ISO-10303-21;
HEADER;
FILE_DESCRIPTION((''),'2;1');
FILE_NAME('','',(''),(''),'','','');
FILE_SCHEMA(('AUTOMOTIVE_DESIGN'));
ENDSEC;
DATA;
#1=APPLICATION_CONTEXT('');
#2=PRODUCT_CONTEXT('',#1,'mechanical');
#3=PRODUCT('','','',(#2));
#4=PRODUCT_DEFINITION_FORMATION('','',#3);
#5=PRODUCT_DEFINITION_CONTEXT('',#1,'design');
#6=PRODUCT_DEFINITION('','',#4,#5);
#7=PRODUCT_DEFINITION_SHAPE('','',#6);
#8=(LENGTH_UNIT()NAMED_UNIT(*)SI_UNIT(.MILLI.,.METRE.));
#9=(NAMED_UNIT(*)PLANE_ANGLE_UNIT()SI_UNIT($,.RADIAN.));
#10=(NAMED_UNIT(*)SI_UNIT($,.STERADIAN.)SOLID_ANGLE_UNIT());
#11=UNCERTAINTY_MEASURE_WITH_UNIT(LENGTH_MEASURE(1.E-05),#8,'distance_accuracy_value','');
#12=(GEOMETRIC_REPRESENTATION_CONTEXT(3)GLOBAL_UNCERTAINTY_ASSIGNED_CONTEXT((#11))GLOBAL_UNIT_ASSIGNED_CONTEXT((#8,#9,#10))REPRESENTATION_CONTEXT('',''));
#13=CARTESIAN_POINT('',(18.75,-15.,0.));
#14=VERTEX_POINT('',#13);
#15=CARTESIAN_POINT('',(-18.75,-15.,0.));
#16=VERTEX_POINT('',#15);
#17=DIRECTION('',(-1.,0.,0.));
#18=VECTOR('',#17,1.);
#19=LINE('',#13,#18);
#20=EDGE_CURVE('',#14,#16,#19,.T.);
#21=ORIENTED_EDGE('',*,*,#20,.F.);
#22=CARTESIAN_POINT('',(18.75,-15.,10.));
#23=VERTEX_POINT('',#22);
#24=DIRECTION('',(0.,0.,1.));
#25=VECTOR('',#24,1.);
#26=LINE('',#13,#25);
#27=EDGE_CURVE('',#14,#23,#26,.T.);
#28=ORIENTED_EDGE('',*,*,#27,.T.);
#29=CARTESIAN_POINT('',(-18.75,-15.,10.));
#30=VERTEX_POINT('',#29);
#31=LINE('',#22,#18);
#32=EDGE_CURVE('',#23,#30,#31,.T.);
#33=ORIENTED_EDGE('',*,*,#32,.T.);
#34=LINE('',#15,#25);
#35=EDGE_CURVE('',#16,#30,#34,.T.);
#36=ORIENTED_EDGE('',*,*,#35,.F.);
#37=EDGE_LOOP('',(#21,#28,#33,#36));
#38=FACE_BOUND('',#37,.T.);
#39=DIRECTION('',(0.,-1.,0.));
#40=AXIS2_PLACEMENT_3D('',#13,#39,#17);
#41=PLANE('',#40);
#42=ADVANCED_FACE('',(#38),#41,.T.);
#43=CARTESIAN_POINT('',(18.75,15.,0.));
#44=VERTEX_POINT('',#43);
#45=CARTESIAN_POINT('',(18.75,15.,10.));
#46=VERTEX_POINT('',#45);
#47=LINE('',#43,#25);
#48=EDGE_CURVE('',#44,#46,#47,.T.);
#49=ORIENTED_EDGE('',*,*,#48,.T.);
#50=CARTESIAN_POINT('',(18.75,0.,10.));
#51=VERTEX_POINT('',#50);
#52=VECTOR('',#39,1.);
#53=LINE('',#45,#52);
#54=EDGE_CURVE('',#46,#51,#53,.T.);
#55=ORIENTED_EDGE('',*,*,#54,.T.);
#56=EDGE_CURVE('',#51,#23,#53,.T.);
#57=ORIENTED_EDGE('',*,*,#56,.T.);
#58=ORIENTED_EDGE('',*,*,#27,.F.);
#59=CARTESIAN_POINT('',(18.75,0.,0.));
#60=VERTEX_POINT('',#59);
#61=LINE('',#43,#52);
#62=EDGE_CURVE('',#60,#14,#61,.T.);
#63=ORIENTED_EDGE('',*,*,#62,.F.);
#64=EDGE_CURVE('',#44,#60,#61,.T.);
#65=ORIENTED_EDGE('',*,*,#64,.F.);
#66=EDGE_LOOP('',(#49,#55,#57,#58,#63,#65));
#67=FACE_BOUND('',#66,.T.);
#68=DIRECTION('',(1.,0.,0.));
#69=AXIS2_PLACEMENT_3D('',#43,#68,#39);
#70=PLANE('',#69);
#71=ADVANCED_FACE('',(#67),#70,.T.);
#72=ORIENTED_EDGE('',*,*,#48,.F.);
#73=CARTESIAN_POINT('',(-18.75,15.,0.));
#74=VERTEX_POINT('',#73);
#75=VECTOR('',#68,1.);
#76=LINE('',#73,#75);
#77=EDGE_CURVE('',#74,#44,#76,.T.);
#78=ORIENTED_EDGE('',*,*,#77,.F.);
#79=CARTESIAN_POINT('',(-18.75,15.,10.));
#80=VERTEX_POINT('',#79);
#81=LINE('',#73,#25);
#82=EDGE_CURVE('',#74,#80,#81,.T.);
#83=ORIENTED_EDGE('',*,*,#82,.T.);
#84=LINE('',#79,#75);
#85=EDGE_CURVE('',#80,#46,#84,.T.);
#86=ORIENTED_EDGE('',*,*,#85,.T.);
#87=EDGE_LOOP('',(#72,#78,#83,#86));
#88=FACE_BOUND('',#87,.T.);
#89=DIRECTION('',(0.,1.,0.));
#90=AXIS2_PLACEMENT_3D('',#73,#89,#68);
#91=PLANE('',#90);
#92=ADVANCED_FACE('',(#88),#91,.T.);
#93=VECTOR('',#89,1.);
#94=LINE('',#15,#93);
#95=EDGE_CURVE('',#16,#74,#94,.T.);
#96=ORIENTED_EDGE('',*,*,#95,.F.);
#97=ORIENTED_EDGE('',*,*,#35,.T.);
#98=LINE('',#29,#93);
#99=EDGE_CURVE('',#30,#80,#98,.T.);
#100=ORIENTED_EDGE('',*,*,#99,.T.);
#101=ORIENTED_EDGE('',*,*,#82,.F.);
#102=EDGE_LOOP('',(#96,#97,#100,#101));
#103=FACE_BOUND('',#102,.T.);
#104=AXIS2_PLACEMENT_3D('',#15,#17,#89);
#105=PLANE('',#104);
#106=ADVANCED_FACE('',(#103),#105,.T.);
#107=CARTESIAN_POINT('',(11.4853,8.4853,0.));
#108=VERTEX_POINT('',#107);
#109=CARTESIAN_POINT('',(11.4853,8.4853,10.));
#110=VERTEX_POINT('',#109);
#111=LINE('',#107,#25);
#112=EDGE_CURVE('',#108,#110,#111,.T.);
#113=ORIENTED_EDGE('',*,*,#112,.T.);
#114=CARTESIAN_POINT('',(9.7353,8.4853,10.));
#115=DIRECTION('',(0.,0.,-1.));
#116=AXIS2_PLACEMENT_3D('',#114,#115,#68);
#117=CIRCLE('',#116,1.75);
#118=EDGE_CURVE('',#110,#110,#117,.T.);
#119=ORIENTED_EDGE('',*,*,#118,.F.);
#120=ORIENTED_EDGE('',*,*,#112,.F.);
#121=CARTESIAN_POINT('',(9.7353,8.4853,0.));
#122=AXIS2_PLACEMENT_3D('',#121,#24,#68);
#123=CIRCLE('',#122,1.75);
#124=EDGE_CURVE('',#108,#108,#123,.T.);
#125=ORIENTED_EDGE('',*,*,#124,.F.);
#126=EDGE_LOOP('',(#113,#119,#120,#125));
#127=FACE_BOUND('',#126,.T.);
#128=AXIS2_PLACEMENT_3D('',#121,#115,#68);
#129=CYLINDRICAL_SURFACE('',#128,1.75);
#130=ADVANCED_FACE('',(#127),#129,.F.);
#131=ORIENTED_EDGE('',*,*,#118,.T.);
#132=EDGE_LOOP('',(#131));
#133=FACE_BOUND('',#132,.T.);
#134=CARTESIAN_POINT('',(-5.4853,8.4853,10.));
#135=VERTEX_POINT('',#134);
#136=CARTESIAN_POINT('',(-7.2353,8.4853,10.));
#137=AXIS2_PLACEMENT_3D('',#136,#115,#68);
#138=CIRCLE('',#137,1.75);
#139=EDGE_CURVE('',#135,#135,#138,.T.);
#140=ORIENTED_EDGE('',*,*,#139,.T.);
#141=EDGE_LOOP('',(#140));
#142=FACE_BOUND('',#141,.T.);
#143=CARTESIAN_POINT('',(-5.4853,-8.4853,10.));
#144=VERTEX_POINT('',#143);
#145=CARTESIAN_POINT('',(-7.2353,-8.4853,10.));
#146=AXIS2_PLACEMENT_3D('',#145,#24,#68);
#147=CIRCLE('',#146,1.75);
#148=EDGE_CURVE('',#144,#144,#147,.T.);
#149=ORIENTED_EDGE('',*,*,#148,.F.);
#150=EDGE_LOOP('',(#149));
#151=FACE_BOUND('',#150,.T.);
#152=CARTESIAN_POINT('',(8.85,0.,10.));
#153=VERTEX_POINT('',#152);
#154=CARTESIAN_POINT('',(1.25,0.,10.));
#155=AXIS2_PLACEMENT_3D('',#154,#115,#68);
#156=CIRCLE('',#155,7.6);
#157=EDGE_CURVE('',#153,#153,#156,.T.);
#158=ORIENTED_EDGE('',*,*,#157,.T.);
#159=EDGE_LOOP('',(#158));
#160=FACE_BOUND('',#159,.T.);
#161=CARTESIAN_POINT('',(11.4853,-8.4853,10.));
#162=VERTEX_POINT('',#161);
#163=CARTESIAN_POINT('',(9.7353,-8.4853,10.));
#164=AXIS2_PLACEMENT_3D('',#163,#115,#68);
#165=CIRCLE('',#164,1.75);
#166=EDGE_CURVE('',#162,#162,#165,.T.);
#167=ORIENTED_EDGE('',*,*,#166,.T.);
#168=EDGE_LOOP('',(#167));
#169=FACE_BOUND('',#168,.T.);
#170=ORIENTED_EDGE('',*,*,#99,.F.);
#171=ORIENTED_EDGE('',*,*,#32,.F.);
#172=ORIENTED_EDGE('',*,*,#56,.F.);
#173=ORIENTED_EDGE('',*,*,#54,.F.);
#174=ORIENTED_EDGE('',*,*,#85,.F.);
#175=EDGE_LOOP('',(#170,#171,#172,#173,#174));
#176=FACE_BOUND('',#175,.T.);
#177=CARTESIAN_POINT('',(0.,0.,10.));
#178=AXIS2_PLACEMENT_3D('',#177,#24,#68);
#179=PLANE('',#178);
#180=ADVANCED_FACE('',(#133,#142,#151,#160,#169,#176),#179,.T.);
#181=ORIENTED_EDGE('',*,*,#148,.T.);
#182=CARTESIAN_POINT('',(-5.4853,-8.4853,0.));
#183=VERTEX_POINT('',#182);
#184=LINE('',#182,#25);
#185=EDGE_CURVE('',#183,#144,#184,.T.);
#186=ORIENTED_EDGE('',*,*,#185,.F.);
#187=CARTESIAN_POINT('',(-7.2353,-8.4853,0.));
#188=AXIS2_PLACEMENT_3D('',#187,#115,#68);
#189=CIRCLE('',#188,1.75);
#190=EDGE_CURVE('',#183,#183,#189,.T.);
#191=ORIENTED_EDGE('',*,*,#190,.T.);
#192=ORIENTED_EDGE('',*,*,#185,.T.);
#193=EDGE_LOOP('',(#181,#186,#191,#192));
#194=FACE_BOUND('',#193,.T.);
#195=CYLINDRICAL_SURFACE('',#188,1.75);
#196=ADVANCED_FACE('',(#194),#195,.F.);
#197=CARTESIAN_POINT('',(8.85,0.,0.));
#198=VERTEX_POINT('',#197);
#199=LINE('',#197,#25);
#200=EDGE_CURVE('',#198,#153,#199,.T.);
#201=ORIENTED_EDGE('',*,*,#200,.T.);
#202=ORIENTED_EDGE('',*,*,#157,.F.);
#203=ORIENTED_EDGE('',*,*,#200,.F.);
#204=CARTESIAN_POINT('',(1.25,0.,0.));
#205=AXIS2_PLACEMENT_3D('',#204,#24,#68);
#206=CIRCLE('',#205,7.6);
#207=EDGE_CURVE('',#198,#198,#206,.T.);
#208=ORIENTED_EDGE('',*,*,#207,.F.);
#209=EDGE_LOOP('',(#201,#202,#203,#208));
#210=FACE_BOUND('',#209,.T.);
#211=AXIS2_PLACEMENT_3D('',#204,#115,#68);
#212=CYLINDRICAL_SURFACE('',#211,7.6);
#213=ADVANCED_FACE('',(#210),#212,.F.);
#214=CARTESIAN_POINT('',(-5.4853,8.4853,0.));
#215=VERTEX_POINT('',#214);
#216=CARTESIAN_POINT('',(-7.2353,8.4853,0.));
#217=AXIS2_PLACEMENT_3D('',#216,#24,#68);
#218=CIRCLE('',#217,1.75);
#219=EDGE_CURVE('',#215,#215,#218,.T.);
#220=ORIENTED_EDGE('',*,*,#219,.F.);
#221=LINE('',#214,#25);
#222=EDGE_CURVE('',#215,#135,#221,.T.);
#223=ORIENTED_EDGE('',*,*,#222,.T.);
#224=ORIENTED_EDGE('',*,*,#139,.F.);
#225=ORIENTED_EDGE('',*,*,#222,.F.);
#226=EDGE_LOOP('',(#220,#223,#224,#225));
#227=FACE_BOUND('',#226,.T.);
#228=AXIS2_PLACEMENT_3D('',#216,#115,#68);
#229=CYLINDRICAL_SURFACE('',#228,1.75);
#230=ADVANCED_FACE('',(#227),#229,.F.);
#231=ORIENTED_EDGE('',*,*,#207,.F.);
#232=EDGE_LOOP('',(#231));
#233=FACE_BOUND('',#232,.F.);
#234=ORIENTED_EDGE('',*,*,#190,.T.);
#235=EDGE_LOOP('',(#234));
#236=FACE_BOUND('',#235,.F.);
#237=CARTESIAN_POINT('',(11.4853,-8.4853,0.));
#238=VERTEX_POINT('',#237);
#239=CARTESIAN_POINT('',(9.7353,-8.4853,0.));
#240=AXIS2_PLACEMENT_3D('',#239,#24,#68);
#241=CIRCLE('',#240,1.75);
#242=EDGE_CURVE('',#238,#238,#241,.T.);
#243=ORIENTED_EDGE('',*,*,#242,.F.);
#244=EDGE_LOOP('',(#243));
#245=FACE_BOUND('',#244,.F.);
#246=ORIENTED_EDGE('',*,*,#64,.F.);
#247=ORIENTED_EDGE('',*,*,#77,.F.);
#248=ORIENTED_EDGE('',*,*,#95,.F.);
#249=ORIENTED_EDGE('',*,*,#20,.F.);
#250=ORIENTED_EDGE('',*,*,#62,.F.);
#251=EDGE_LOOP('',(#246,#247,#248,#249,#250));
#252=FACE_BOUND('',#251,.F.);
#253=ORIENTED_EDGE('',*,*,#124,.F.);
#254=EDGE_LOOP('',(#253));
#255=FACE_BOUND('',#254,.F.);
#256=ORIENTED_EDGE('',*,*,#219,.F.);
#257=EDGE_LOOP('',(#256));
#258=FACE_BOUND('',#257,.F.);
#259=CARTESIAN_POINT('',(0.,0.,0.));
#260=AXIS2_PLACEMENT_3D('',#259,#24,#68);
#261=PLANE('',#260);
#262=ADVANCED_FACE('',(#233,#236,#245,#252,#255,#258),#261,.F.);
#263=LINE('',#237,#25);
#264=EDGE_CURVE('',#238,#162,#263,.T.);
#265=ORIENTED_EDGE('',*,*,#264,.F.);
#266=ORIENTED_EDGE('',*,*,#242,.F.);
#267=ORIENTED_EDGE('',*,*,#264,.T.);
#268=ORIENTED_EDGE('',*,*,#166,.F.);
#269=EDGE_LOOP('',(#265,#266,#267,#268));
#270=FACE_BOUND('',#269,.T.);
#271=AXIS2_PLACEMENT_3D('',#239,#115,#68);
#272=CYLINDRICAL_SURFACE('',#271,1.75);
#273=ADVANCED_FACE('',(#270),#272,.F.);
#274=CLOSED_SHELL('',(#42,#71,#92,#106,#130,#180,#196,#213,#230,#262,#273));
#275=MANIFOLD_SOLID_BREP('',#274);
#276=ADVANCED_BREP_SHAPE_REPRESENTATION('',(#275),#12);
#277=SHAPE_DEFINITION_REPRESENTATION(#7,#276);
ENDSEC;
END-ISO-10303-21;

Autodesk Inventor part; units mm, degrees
ref_plane "YZ Plane" through (0, 0, 0) normal (1, 0, 0) x (0, 1, 0)
ref_plane "XZ Plane" through (0, 0, 0) normal (0, 1, 0) x (-1, 0, 0)
ref_plane "XY Plane" through (0, 0, 0) normal (0, 0, 1) x (1, 0, 0)
sketch "Sketch1" plane through (0, 0, 0) normal (0, 0, 1) x (1, 0, 0)
  line L0 (-18.75, 15) -> (18.75, 15)
  line L1 (18.75, 15) -> (18.75, -15)
  line L2 (18.75, -15) -> (-18.75, -15)
  line L3 (-18.75, -15) -> (-18.75, 15)
  line L4 (-18.75, 15) -> (18.75, -15) construction
  line L5 (18.75, 15) -> (-18.75, -15) construction
  line L6 (18.75, 0) -> (1.25, 0)
  circle A0 centre (1.25, 0) radius 7.6
  circle A1 centre (1.25, 0) radius 12
  line L7 (-11.25, 12.5) -> (13.75, 12.5)
  line L8 (13.75, 12.5) -> (13.75, -12.5)
  line L9 (13.75, -12.5) -> (-11.25, -12.5)
  line L10 (-11.25, -12.5) -> (-11.25, 12.5)
  line L11 (-11.25, 12.5) -> (13.75, -12.5) construction
  line L12 (13.75, 12.5) -> (-11.25, -12.5) construction
  line L13 (13.75, 12.5) -> (-11.25, -12.5)
  circle A2 centre (9.7353, 8.4853) radius 1.75
  circle A3 centre (-7.2353, 8.4853) radius 1.75
  circle A4 centre (-7.2353, -8.4853) radius 1.75
  circle A5 centre (9.7353, -8.4853) radius 1.75
  point P0 (0, 0)
  dimension "d4" = 24
  dimension "d0" = 37.5
  dimension "d1" = 30
  dimension "d2" = 17.5
  dimension "d3" = 15.2
  dimension "d5" = 25
  dimension "d6" = 25
  dimension "d7" = 3.5
  dimension "d10" = 360
extrude "Extrusion1" add sketch "Sketch1" along normal blind 10 contours L8 L9 L13 A4 A1 A5 L6 | L6 A1 A2 L13 L8 | L0 L1 L2 L3 | A1 A5 A4 L13 A0 L6 | L6 A0 L13 A2 A1 | L13 A2 A1 A3 A4 L10 L7 | A0 L13 A4 A1 A3 A2
properties part number "POSIBLE CORTE"
